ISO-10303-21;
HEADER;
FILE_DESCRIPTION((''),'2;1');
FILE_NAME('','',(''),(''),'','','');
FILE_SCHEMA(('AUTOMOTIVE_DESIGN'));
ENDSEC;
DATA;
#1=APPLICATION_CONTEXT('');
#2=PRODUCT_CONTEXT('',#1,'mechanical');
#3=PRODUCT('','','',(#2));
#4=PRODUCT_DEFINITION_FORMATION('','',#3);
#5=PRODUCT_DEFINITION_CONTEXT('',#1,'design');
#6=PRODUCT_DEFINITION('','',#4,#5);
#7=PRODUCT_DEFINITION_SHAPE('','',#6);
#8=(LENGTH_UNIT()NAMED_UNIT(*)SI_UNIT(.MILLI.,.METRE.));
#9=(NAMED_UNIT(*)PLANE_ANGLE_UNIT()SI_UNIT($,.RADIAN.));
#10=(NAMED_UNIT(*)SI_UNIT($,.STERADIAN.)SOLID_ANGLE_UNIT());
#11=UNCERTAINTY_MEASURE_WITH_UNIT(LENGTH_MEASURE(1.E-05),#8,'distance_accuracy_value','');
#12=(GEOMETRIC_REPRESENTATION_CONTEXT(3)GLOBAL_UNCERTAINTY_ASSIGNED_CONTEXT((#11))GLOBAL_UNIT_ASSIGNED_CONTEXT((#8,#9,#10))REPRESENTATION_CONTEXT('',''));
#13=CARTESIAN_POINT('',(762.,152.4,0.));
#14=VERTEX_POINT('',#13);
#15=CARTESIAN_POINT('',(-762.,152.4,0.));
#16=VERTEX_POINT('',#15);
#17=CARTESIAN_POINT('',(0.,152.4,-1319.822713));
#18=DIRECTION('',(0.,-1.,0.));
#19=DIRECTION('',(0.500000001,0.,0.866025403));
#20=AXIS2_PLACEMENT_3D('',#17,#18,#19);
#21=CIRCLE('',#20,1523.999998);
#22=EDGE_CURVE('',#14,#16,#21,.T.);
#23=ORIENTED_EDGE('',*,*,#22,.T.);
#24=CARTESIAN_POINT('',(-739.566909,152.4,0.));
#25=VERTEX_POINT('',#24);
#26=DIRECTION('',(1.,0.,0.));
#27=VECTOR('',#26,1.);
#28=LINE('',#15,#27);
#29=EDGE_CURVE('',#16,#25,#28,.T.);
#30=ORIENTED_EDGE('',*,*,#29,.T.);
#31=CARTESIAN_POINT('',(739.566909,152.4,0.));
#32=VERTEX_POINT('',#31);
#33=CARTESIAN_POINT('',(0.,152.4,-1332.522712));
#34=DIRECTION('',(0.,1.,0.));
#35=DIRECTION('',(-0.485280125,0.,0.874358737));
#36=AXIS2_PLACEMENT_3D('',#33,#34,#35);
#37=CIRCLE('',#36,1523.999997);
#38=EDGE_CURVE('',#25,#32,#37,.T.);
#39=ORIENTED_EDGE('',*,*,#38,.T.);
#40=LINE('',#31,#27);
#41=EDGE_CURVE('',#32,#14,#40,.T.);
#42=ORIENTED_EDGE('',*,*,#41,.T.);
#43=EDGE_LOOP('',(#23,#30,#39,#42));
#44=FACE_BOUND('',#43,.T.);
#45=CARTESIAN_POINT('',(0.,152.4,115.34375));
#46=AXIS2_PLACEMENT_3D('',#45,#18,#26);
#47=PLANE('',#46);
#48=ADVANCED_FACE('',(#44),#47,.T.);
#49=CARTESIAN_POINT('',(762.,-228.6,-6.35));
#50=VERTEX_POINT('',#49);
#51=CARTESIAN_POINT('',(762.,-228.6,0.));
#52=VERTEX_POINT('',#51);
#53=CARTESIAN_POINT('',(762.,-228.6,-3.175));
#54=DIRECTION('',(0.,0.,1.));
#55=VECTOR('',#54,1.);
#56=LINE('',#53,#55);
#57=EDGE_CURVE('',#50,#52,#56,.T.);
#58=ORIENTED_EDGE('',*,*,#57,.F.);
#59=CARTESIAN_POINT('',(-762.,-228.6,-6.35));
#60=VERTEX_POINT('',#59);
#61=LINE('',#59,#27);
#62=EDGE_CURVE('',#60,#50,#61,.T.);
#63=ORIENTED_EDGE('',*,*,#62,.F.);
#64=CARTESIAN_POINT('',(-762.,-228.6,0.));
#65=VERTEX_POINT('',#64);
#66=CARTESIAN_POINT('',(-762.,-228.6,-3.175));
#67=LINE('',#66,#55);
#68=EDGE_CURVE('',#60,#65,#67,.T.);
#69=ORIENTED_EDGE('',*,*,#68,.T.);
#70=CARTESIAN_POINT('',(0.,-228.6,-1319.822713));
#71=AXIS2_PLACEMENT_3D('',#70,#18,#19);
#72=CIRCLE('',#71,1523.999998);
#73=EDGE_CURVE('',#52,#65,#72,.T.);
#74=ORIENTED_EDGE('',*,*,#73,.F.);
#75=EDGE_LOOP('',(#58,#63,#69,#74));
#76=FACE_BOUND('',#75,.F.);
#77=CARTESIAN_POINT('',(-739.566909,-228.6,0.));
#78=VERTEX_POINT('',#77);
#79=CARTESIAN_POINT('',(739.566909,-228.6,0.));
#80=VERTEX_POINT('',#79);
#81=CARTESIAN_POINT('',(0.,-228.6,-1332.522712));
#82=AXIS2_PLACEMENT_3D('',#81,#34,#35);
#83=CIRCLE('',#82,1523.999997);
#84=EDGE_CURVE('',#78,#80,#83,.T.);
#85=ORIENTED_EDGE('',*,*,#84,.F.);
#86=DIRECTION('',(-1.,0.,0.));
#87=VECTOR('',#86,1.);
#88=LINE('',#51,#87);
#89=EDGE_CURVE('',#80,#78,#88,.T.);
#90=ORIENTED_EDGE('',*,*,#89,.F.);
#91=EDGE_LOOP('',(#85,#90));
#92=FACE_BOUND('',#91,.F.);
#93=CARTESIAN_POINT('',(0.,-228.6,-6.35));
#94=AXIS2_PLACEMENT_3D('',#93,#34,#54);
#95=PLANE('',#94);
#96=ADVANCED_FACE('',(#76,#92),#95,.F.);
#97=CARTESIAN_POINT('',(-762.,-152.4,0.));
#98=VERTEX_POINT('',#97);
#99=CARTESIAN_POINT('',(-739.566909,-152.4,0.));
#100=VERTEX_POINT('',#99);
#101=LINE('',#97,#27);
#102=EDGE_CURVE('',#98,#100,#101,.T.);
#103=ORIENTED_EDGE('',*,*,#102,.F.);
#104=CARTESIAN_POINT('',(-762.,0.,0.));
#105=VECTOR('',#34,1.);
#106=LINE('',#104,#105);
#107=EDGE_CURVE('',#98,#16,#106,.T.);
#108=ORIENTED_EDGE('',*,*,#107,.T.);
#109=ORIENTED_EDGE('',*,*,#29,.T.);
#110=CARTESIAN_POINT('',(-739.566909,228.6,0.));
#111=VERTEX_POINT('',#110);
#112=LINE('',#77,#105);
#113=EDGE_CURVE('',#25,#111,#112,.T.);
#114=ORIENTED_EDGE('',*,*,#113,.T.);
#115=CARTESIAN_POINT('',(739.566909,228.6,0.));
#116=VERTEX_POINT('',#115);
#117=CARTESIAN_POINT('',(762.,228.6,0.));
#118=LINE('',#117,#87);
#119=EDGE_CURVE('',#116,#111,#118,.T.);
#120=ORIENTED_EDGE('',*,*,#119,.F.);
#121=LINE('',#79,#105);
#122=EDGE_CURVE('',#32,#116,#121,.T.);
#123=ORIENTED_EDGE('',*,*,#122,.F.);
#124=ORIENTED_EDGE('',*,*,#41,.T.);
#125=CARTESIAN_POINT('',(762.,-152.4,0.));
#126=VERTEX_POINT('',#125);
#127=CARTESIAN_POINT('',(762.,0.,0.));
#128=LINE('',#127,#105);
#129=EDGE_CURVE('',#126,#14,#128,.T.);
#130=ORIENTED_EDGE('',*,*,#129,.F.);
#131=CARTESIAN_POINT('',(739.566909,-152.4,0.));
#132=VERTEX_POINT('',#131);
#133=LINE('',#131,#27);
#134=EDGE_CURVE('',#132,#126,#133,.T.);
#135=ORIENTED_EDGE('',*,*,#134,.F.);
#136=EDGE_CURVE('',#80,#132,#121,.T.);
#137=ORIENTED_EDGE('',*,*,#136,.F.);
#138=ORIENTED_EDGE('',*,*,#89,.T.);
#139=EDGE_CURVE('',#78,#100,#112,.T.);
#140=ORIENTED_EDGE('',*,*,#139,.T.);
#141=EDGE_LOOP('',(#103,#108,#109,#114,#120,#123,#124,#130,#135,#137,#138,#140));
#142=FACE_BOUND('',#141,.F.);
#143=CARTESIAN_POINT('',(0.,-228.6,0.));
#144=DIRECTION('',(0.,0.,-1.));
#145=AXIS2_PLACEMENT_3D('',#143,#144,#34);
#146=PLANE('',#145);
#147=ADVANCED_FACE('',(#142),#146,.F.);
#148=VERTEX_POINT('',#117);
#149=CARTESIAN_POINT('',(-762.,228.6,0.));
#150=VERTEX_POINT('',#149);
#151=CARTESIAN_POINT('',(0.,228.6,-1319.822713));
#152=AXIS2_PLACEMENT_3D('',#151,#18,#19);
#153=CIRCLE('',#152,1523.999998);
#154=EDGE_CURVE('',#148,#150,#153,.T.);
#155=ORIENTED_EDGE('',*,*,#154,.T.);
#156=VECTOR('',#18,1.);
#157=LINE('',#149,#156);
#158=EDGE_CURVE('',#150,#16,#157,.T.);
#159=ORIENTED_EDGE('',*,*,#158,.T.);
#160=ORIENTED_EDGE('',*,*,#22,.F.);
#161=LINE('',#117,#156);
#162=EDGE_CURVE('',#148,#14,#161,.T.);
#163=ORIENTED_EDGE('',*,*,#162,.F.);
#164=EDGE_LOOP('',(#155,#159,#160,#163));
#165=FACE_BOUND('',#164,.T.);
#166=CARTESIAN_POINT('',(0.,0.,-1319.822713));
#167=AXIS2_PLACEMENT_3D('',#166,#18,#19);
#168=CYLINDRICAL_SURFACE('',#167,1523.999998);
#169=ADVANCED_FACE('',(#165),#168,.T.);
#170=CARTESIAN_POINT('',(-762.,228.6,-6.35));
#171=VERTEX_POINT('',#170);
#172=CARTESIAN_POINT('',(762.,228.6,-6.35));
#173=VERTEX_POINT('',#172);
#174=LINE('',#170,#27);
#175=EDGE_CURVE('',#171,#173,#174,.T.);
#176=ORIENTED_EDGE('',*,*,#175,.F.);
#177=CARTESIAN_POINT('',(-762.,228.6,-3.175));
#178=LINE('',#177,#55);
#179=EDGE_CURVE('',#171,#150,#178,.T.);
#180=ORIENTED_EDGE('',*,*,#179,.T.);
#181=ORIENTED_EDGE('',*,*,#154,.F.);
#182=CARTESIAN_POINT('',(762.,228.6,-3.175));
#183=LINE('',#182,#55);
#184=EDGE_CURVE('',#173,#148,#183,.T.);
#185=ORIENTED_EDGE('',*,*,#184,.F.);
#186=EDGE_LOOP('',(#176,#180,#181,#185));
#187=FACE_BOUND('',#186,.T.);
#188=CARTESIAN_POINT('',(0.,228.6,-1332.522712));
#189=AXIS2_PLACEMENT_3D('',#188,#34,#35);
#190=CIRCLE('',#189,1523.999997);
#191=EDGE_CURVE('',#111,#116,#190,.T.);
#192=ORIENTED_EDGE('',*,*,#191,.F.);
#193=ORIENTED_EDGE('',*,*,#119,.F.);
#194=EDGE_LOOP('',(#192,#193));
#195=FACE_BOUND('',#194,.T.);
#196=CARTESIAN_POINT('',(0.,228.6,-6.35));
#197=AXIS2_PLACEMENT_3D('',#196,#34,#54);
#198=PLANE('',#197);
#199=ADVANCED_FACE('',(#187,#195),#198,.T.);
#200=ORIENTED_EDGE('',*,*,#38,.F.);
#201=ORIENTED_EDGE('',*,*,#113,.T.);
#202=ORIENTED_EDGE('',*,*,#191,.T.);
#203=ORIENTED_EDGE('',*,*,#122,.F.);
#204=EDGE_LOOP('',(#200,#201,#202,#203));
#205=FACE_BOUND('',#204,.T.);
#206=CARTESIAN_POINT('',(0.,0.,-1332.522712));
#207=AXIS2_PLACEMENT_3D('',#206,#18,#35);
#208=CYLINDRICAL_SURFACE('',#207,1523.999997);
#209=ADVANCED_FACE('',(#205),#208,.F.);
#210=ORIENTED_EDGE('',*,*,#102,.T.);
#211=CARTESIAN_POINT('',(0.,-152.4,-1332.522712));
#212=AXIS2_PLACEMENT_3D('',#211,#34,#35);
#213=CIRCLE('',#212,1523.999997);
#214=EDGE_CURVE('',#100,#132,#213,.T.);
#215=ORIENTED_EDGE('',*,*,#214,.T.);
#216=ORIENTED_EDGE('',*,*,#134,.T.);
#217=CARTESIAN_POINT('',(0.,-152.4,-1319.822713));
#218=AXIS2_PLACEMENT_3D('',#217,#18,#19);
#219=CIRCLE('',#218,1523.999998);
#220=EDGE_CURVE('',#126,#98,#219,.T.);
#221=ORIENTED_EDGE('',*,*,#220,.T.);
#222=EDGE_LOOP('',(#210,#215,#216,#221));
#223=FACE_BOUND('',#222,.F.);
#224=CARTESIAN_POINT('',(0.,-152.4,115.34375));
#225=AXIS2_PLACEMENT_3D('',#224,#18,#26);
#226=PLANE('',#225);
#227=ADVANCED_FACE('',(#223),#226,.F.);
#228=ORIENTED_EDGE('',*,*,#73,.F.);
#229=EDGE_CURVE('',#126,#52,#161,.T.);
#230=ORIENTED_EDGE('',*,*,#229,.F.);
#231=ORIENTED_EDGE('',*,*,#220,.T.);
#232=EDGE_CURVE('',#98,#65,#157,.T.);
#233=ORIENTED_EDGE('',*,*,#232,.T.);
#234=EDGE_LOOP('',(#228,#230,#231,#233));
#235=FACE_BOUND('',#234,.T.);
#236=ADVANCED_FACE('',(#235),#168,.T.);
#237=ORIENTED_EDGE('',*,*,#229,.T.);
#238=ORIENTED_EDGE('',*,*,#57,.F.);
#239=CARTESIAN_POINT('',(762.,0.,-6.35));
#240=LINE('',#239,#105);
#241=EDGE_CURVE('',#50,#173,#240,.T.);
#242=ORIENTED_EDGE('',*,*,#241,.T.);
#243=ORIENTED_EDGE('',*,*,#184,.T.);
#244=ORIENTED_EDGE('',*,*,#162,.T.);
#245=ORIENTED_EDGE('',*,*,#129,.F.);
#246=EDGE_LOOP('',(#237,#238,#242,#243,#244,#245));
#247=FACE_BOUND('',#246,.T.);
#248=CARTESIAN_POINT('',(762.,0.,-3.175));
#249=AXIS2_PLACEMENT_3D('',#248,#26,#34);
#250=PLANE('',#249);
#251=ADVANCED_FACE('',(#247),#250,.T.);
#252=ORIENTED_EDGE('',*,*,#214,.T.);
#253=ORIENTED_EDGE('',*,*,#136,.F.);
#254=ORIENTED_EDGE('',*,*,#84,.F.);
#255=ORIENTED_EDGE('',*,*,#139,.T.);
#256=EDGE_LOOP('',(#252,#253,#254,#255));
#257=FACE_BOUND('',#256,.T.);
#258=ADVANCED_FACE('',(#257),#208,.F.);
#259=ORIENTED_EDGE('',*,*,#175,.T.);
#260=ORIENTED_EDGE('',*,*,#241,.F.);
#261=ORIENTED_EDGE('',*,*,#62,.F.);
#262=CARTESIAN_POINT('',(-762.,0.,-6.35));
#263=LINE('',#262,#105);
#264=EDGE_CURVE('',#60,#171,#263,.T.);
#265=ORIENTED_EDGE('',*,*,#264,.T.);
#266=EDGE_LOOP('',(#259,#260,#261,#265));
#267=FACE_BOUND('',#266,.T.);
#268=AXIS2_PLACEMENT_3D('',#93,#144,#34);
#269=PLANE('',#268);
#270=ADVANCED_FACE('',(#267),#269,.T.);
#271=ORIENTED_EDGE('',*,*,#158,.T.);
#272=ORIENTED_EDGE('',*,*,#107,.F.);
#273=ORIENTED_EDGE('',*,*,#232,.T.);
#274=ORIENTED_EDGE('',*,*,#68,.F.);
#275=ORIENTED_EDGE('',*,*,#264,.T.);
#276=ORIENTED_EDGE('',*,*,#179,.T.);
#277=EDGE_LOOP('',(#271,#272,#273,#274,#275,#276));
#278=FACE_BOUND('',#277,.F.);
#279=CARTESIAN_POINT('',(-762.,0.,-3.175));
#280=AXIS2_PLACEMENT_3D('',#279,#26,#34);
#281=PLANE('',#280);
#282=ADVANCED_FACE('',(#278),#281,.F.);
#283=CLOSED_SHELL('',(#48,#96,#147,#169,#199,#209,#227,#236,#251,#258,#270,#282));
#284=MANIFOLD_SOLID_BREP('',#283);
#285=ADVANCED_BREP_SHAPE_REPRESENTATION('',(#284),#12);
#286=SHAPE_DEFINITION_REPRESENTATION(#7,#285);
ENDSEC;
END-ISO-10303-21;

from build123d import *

# Parameters (mm, degrees)
F1_DEPTH = 228.6
F2_DEPTH = 152.4
F3_W     = 457.2
F3_H     = 6.35
F4_DEPTH = 762


with BuildPart() as f1:
    # F0 (on Front) → F1 (new body, symmetric)
    with BuildSketch(Plane.XZ):
        with BuildLine():
            Line((739.566909, 0), (762, 0))
            ThreePointArc((762, 0), (0, 204.177285), (-762, 0))
            Line((-762, 0), (-739.566909, 0))
            ThreePointArc((-739.566909, 0), (0, 191.477285), (739.566909, 0))
        make_face()
    extrude(amount=F1_DEPTH, both=True)

    # F0 (on Front) → F2 (cut, symmetric)
    with BuildSketch(Plane.XZ):
        with BuildLine():
            Line((739.566909, 0), (762, 0))
            ThreePointArc((762, 0), (0, 204.177285), (-762, 0))
            Line((-762, 0), (-739.566909, 0))
            ThreePointArc((-739.566909, 0), (0, 191.477285), (739.566909, 0))
        make_face()
    extrude(amount=F2_DEPTH, both=True, mode=Mode.SUBTRACT)

    # F3 (on Right) → F4 (join, symmetric)
    with BuildSketch(Plane.YZ):
        with Locations((0, -3.175)):
            Rectangle(F3_W, F3_H)
    extrude(amount=F4_DEPTH, both=True)


solid = f1.part
